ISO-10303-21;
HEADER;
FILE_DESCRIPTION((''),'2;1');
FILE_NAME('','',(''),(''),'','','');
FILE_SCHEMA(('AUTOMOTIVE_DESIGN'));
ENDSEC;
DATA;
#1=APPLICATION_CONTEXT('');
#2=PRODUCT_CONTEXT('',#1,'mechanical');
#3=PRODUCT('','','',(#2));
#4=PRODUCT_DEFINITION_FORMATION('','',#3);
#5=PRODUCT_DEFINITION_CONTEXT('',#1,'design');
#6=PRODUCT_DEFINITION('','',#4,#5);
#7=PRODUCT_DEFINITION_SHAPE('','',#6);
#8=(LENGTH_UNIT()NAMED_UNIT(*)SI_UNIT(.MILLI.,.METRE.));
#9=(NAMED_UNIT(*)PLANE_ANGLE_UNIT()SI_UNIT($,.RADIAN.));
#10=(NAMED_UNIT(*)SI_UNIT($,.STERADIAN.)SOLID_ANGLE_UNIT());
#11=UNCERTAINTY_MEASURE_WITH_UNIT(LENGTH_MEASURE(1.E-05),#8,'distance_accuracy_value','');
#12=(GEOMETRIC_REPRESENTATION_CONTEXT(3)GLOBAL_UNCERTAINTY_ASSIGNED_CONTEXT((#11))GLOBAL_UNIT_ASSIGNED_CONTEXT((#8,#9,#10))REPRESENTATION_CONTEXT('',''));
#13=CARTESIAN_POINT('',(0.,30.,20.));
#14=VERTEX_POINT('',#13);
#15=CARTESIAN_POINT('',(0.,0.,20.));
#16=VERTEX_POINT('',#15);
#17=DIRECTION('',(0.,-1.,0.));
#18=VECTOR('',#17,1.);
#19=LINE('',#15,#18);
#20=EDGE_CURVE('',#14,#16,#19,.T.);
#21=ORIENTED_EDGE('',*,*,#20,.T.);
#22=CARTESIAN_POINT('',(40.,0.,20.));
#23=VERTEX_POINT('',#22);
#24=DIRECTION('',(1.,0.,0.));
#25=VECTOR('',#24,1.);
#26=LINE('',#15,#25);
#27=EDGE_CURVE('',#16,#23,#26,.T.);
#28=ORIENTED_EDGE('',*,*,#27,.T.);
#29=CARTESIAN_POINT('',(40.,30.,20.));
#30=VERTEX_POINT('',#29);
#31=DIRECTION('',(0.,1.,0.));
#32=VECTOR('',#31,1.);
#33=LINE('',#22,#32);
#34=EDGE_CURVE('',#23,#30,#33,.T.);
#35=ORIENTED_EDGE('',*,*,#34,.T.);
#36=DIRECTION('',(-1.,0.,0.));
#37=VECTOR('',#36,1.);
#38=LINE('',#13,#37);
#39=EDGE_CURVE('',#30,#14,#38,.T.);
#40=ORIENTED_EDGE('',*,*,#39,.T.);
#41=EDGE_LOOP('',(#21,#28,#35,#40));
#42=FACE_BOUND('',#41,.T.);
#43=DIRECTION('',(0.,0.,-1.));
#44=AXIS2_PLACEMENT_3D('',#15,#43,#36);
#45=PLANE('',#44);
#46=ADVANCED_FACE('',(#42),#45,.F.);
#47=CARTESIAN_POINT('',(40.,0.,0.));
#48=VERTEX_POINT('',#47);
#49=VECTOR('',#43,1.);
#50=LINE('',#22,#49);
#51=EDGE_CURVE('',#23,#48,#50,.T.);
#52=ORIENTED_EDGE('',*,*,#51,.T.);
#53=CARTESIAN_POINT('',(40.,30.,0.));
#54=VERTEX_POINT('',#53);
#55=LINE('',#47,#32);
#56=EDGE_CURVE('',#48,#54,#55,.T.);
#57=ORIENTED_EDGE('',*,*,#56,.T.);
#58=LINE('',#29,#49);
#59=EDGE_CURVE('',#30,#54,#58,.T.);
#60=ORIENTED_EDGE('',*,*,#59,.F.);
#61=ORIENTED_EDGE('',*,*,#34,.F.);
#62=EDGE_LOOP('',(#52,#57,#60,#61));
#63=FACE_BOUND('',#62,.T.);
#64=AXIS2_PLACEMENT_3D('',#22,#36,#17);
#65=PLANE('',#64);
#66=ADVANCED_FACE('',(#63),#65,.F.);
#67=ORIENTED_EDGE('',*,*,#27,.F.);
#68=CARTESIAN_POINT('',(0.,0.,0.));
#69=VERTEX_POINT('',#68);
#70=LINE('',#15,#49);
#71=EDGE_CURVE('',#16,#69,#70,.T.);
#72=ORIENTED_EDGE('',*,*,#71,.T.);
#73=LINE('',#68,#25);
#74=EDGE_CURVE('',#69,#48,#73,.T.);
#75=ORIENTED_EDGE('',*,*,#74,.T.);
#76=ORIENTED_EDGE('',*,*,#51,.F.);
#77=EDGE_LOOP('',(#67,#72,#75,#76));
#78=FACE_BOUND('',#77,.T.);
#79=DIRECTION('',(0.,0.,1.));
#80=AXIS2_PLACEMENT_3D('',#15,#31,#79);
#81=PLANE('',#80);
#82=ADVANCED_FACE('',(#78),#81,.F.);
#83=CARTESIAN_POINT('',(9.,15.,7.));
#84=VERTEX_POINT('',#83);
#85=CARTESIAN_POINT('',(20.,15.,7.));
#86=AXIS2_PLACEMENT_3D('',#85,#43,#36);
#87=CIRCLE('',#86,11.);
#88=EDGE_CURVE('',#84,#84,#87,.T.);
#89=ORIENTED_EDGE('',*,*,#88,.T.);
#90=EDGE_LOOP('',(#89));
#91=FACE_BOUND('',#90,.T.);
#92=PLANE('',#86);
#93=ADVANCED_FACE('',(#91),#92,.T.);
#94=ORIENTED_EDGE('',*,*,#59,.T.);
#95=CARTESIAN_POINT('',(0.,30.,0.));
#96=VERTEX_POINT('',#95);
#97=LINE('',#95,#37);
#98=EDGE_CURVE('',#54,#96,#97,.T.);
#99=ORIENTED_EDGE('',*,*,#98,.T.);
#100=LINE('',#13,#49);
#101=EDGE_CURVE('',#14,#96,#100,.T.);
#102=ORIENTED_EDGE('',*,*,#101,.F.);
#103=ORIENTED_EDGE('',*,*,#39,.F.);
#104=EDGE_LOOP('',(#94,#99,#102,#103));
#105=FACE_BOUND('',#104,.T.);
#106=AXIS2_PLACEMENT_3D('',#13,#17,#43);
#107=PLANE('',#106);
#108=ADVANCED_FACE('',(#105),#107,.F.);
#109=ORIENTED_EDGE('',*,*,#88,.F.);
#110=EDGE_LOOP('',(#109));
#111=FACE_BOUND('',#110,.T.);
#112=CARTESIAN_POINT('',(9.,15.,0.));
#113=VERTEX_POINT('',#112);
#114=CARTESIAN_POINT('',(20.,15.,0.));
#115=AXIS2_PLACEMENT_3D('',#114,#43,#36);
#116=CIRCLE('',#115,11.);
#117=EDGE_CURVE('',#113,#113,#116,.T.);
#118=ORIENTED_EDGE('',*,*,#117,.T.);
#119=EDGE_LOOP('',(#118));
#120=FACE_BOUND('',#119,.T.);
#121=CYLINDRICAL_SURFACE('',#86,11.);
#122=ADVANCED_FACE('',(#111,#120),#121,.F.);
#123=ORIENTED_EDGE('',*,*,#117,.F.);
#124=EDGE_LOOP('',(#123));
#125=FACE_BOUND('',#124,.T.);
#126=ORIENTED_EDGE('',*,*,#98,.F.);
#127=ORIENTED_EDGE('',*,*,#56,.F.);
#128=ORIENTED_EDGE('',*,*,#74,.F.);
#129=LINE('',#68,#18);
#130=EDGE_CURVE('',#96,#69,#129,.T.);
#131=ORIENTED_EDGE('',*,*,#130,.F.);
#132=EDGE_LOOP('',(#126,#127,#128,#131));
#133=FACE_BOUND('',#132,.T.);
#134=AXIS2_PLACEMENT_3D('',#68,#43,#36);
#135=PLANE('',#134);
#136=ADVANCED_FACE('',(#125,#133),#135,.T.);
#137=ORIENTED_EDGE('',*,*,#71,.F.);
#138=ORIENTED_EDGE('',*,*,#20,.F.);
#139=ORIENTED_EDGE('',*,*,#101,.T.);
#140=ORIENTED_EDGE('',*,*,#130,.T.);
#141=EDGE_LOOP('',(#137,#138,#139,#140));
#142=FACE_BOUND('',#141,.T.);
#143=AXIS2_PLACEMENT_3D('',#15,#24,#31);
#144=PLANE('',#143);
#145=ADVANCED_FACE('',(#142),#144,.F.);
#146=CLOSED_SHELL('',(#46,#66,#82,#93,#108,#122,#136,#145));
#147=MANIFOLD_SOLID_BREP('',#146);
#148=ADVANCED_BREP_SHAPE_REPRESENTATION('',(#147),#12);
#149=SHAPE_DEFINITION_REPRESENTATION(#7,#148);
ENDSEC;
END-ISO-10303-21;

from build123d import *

# Parameters (mm, degrees)
SKETCH1_W           = 40
SKETCH1_H           = 30
BOSS_EXTRUDE1_DEPTH = 20
SKETCH3_R           = 11
CUT_EXTRUDE3_DEPTH  = 7


with BuildPart() as part:
    # Sketch1 → Boss-Extrude1 (new body)
    with BuildSketch(Plane.XY):
        with Locations((20, 15)):
            Rectangle(SKETCH1_W, SKETCH1_H)
    extrude(amount=BOSS_EXTRUDE1_DEPTH)

    # Sketch3 → Cut-Extrude3 (cut)
    with BuildSketch(Plane(origin=(0, 0, 0), x_dir=(-1, 0, 0), z_dir=(0, 0, -1))):
        with Locations((-20, 15)):
            Circle(SKETCH3_R)
    extrude(amount=-CUT_EXTRUDE3_DEPTH, mode=Mode.SUBTRACT)


solid = part.part
